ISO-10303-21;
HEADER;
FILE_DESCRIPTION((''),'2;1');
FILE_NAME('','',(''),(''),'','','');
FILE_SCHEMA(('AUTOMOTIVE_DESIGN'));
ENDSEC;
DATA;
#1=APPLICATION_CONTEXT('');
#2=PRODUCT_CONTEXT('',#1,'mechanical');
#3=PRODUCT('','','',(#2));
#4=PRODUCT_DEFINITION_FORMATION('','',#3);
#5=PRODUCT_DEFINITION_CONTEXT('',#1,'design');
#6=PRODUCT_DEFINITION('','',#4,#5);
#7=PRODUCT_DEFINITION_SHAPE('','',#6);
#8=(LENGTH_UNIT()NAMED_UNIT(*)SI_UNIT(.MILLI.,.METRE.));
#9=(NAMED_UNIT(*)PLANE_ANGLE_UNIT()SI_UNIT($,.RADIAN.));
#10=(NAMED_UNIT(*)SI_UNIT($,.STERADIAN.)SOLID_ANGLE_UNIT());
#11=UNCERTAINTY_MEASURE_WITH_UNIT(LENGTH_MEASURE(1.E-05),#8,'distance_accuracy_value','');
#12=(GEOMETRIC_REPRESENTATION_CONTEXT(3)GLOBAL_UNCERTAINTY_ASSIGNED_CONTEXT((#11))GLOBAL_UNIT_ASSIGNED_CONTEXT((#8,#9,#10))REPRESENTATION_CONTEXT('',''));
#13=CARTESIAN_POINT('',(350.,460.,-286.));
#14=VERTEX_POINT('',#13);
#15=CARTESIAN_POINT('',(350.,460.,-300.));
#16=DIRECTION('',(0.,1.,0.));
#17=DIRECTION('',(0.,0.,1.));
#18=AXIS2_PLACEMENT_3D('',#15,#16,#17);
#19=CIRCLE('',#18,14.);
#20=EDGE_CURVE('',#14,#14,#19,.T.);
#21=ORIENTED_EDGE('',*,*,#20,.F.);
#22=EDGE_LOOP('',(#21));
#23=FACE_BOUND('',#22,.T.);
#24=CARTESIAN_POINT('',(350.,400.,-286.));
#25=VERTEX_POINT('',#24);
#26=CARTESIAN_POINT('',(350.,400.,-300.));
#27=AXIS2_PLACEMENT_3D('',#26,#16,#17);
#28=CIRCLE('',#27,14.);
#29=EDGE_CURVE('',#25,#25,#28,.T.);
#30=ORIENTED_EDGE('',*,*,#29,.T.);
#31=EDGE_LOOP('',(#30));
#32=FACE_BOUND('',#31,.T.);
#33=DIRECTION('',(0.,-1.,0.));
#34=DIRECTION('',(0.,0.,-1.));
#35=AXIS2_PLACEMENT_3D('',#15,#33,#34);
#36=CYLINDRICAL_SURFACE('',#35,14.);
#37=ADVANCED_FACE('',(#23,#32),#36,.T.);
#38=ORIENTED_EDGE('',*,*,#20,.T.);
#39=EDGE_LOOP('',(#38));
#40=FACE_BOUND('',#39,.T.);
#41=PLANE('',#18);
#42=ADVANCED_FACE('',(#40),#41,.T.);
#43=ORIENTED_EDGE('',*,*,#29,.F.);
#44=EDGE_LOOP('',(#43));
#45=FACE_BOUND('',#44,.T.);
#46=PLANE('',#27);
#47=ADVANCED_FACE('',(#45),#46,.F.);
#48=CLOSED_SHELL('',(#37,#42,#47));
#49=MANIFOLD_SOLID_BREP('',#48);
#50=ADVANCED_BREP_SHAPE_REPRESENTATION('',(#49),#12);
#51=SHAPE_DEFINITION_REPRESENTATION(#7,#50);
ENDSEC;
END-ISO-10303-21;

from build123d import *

# Parameters (mm, degrees)
OVEN_KESME_GOBEK_D28_START = 400
SKETCH1_R                  = 14
OVEN_KESME_GOBEK_D28_DEPTH = 60


with BuildPart() as part:
    # Sketch1 → OVEN_kesme_gobek_D28 (new body)
    with BuildSketch(Plane(origin=(0, 0, 0), x_dir=(1, 0, 0), z_dir=(0, 1, 0)).offset(OVEN_KESME_GOBEK_D28_START)):
        with Locations(Location((350, 300, 0), (0, 0, 270))):
            Circle(SKETCH1_R)
    extrude(amount=OVEN_KESME_GOBEK_D28_DEPTH)


solid = part.part
